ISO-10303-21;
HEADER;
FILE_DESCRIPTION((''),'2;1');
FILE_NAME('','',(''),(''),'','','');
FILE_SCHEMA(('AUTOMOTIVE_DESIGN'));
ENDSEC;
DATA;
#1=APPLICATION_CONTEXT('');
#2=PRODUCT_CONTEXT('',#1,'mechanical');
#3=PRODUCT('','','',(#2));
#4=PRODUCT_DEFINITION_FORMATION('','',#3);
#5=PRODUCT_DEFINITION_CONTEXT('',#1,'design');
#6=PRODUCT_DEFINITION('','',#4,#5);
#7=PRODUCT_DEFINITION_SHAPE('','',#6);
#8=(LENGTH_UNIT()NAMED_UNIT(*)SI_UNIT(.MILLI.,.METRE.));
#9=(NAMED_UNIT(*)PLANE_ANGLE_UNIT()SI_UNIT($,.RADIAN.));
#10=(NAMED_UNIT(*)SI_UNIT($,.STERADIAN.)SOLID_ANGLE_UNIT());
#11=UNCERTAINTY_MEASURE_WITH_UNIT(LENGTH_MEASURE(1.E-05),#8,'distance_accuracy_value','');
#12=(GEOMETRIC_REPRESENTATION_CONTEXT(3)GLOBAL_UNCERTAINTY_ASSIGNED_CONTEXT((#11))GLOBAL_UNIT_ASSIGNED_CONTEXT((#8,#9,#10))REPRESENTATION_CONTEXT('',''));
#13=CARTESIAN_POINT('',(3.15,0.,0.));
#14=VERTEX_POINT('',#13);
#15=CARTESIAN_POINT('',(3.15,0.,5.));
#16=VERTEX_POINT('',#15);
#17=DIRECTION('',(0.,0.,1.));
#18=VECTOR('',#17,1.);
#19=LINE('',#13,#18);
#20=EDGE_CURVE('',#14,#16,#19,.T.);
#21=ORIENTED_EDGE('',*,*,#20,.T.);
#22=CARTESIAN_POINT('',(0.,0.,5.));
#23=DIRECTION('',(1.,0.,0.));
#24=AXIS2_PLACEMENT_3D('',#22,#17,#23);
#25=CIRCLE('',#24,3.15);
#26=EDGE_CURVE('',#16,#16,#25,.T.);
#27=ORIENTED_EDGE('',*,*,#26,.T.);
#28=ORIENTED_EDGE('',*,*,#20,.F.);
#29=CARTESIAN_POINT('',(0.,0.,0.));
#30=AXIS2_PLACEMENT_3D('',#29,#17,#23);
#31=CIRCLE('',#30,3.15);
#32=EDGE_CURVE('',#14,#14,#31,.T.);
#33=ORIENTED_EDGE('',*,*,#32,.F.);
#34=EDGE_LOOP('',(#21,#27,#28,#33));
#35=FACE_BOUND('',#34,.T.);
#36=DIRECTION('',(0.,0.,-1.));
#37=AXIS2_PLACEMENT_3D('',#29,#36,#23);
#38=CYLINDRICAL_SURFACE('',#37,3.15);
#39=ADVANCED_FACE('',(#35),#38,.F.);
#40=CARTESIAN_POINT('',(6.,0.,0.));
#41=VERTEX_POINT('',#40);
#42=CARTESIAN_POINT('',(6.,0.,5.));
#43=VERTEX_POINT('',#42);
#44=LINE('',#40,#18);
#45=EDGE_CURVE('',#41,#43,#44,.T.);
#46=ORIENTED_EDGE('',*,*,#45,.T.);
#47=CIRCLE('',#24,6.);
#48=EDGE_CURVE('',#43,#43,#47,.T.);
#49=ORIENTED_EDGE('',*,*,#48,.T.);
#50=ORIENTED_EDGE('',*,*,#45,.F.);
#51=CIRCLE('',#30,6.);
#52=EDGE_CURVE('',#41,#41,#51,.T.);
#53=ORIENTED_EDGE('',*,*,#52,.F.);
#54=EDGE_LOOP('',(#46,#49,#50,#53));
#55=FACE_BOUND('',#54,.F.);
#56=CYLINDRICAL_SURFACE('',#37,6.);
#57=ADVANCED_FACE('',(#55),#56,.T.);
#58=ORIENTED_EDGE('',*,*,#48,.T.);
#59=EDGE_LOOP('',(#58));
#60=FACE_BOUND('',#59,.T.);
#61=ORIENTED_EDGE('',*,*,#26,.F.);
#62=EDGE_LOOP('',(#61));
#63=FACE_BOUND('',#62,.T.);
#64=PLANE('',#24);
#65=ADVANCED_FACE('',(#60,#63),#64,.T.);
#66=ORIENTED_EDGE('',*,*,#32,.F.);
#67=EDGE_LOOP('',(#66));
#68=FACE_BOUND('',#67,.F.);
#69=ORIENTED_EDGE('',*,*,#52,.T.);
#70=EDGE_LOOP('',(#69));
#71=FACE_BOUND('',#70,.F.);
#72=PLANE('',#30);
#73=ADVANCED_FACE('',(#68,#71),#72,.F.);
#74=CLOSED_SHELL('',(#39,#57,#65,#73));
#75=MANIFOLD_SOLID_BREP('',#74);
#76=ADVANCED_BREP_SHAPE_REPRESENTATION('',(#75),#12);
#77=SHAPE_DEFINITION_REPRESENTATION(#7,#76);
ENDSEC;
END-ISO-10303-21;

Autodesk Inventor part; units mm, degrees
ref_plane "YZ Plane" through (0, 0, 0) normal (1, 0, 0) x (0, 1, 0)
ref_plane "XZ Plane" through (0, 0, 0) normal (0, 1, 0) x (-1, 0, 0)
ref_plane "XY Plane" through (0, 0, 0) normal (0, 0, 1) x (1, 0, 0)
sketch "スケッチ1" plane through (0, 0, 0) normal (0, 0, 1) x (1, 0, 0)
  circle A0 centre (0, 0) radius 3.15
  circle A1 centre (0, 0) radius 6
  dimension "d0" = 6.3
  dimension "d1" = 12
extrude "押し出し1" add sketch "スケッチ1" along normal blind 5
properties part number "CC-0612-50B" material "アセタール樹脂、黒"
